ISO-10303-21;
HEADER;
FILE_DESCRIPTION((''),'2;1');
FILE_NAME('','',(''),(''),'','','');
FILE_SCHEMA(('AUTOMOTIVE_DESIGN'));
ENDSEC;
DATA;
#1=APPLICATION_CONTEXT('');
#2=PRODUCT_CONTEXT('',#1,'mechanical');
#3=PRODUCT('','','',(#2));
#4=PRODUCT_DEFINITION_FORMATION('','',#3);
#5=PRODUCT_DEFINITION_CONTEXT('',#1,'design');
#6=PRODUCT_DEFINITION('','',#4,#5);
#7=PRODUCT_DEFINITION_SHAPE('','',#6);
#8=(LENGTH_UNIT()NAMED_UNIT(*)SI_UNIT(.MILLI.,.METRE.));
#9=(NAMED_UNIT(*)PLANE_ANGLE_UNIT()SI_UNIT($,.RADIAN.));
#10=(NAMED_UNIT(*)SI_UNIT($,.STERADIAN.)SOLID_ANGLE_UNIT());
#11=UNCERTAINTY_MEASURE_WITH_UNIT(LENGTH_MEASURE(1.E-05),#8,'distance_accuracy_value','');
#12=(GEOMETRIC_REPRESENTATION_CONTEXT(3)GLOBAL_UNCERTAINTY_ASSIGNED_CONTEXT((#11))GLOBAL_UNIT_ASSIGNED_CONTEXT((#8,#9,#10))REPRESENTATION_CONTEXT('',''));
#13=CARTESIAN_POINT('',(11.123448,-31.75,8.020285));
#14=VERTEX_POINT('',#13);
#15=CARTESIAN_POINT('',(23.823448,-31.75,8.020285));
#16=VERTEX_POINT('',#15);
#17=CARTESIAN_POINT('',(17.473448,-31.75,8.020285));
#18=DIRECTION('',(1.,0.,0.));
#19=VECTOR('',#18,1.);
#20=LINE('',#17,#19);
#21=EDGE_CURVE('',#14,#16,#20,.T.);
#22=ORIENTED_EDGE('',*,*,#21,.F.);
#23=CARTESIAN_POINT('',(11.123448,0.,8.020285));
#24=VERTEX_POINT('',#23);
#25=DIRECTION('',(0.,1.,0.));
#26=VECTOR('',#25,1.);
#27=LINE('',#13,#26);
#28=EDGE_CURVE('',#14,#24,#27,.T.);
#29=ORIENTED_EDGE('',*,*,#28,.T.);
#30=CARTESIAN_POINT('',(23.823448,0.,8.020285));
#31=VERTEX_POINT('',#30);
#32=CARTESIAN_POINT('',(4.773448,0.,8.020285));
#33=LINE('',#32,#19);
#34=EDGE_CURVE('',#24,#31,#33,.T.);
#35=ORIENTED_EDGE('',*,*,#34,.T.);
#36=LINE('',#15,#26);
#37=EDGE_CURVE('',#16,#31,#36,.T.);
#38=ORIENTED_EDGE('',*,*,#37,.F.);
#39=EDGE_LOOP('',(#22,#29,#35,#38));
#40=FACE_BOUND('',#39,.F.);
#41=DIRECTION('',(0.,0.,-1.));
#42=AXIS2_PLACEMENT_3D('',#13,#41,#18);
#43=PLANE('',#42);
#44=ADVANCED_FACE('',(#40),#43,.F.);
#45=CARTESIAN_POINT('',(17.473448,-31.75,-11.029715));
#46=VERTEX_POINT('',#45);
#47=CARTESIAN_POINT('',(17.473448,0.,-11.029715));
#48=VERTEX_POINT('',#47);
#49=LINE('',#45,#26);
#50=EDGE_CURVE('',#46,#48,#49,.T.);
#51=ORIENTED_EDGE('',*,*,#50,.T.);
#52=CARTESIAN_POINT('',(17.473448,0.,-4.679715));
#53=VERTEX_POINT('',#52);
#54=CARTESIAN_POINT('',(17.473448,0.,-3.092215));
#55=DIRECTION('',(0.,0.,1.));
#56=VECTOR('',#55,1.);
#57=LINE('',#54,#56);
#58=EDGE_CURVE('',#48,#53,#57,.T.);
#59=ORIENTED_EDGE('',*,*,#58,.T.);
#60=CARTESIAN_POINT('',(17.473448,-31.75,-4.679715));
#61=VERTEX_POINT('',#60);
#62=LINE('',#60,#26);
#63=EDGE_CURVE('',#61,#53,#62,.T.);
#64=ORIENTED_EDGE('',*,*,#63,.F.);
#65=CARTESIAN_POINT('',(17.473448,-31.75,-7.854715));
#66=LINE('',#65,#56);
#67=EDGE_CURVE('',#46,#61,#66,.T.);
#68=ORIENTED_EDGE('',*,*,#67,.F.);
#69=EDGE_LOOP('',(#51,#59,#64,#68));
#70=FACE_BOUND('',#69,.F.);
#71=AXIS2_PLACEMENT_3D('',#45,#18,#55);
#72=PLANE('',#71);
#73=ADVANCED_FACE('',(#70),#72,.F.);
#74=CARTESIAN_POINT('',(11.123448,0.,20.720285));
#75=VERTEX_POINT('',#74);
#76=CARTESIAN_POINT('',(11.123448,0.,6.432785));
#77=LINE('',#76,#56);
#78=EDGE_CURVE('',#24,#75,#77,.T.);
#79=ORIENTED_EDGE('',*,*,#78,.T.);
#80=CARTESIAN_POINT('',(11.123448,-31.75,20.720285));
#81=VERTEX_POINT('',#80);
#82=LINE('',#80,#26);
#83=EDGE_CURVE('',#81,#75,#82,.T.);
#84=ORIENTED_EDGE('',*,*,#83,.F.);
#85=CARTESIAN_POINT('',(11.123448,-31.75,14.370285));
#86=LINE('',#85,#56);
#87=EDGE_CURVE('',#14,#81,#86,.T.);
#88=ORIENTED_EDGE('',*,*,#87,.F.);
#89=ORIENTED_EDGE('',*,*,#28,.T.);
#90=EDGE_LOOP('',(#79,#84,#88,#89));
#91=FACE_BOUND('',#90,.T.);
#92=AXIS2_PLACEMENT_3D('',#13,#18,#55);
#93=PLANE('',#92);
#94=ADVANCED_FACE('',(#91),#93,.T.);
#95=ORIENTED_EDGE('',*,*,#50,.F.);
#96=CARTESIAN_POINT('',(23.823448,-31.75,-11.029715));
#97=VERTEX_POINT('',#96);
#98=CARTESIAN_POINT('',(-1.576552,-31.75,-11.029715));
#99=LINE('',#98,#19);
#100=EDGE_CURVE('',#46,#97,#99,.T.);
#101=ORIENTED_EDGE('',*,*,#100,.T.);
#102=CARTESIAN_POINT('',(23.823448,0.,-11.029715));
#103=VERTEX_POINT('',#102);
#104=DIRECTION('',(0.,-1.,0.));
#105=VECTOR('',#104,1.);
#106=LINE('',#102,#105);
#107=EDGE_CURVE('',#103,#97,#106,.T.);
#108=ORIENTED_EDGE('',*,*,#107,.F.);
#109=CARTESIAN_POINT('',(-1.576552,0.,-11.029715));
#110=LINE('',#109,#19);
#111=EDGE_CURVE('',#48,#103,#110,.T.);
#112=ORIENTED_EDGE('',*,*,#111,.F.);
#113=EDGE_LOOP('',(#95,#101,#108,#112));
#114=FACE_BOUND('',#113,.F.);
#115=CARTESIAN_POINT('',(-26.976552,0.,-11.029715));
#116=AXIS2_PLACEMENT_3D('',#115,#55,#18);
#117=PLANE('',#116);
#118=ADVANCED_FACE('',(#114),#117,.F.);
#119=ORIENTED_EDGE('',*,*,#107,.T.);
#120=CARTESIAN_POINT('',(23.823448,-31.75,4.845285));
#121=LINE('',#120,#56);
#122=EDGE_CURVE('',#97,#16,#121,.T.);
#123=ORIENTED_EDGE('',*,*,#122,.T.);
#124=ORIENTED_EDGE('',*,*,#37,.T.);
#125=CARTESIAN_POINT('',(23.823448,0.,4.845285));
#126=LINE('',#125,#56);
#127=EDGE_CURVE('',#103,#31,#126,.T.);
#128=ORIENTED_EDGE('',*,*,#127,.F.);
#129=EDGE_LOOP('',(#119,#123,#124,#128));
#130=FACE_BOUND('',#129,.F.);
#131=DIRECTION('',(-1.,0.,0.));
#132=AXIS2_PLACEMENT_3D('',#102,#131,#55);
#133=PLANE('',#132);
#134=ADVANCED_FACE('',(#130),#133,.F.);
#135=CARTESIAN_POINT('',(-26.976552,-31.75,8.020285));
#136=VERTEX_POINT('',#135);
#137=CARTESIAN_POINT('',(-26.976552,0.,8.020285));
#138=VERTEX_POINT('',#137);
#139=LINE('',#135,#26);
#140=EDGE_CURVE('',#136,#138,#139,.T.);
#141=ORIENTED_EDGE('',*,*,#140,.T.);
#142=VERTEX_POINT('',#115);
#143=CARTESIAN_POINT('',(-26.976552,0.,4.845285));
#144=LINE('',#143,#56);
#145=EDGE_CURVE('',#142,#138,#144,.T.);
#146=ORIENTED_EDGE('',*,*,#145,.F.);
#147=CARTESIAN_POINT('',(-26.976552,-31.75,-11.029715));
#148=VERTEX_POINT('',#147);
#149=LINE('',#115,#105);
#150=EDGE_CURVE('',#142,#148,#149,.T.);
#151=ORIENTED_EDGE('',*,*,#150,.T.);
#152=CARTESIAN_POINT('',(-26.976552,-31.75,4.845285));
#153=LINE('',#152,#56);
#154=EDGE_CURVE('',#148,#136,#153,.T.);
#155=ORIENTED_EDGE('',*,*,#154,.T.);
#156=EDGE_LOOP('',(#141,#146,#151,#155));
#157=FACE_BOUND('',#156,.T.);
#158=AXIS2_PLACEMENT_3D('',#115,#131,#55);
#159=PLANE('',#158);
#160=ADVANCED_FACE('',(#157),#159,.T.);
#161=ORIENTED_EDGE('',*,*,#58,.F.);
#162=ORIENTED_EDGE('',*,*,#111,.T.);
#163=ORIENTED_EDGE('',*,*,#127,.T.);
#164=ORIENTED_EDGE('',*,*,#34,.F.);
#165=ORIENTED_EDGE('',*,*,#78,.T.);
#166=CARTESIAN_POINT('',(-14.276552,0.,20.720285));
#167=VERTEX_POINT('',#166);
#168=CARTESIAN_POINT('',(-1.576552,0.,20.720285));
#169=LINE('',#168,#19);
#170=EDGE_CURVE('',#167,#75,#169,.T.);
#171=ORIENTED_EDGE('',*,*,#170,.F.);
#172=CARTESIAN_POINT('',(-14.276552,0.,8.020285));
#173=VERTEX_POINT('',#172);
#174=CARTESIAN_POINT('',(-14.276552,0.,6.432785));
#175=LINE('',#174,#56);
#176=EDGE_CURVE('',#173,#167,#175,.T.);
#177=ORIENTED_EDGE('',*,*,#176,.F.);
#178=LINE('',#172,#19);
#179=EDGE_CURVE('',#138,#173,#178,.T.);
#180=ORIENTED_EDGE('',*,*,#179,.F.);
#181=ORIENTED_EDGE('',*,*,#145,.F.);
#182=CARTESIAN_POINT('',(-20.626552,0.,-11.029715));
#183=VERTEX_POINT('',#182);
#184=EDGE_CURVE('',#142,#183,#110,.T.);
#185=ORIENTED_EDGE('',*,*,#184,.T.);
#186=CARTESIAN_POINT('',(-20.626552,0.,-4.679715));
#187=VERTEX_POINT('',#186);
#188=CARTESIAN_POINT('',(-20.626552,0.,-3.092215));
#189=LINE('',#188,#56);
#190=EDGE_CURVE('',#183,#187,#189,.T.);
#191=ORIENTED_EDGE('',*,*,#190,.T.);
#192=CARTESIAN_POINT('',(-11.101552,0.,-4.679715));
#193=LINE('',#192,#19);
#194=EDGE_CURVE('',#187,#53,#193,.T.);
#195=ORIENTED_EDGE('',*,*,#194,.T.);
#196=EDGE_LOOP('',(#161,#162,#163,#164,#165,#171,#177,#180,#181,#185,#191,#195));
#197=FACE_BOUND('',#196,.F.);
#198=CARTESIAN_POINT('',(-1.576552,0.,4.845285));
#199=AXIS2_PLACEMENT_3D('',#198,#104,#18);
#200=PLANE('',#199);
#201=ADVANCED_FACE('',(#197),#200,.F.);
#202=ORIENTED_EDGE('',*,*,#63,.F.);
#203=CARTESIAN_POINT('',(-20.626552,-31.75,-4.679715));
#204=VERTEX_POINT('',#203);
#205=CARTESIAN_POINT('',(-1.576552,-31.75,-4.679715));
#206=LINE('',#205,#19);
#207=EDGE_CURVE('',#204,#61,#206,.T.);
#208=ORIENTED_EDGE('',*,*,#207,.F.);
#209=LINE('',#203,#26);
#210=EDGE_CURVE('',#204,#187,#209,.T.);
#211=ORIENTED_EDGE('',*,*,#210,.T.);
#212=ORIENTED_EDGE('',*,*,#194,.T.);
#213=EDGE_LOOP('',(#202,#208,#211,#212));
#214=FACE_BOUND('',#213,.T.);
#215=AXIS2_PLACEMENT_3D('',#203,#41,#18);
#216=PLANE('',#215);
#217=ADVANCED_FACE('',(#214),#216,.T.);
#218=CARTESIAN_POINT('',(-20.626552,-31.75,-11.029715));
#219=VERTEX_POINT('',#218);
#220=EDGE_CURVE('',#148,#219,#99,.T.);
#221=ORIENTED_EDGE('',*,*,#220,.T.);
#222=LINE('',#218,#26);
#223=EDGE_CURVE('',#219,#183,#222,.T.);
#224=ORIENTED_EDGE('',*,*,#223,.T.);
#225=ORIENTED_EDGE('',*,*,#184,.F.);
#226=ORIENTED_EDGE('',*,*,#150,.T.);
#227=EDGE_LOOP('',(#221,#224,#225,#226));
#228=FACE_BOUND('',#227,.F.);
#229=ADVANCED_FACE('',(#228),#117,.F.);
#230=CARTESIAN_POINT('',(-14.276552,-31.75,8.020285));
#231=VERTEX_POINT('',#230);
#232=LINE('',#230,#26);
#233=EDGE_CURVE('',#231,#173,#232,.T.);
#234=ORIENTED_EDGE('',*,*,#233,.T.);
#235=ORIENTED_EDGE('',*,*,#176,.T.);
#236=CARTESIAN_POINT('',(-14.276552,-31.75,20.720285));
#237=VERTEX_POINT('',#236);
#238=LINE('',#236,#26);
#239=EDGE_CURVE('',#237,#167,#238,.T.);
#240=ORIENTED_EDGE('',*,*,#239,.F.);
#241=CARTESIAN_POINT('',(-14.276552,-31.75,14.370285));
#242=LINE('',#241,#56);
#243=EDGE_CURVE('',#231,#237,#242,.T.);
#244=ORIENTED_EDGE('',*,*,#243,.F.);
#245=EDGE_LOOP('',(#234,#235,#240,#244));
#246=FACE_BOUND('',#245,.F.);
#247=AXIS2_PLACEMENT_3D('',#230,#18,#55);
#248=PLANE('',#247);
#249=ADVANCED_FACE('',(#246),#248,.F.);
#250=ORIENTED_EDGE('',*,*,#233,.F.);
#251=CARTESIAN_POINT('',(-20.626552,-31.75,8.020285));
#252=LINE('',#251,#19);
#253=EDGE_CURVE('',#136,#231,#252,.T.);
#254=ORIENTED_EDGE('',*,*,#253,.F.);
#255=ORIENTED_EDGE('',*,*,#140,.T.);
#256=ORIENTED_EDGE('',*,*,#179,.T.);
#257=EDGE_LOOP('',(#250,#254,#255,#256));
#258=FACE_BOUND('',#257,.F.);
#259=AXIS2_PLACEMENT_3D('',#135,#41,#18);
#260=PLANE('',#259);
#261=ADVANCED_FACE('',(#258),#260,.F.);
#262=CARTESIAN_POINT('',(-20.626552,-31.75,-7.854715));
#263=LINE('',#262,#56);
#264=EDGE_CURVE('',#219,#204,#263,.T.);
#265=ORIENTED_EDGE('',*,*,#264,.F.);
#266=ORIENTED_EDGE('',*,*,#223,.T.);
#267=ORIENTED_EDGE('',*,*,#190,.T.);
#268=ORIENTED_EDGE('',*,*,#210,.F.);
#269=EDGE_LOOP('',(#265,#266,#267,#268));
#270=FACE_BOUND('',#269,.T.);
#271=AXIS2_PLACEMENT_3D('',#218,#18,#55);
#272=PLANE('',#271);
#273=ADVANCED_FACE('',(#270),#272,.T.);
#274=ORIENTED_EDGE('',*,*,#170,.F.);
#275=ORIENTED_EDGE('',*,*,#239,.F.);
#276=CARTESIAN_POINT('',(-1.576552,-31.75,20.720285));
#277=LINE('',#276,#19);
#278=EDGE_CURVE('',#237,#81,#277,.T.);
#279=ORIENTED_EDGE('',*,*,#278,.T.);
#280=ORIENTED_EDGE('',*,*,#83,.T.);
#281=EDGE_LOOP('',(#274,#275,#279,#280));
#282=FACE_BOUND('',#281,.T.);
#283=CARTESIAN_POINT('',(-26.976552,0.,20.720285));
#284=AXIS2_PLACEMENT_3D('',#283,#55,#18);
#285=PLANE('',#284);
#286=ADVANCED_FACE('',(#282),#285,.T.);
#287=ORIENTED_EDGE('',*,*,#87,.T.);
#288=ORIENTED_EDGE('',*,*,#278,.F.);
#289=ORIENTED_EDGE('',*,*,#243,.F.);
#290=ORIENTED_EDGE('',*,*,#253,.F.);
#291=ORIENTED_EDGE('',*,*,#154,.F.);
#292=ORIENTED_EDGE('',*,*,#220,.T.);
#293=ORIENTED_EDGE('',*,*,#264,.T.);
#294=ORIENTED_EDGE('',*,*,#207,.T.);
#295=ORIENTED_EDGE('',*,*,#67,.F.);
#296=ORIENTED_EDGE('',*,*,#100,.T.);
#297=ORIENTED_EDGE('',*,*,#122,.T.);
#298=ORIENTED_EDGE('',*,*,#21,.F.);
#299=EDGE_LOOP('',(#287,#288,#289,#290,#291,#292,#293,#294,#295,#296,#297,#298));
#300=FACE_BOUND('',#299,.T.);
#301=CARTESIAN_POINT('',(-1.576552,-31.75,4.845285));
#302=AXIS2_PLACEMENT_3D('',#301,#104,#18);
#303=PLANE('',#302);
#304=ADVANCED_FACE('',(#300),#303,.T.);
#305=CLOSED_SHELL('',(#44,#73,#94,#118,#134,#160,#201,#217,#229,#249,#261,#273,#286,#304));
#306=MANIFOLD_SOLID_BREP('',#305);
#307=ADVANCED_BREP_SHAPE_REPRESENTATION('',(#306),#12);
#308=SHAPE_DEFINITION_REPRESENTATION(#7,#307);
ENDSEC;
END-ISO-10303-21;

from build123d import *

# Parameters (mm, degrees)
F0_W     = 50.8
F0_H     = 31.75
F1_DEPTH = 31.75
F2_W     = 12.7
F2_H     = 12.7
F2_W_2   = 38.1
F2_H_2   = 6.35
F3_DEPTH = 50.8


with BuildPart() as f1:
    # F0 (on Front) → F1 (new body)
    with BuildSketch(Plane.XZ):
        with Locations((-1.576552, 4.845285)):
            Rectangle(F0_W, F0_H)
    extrude(amount=F1_DEPTH)

    # F2 (on face) → F3 (cut)
    with BuildSketch(Plane.XZ.offset(31.75)):
        with Locations((-20.626552, 14.370285)):
            Rectangle(F2_W, F2_H)
        with Locations((17.473448, 14.370285)):
            Rectangle(F2_W, F2_H)
        with Locations((-1.576552, -7.854715)):
            Rectangle(F2_W_2, F2_H_2)
    extrude(amount=-F3_DEPTH, mode=Mode.SUBTRACT)


solid = f1.part
